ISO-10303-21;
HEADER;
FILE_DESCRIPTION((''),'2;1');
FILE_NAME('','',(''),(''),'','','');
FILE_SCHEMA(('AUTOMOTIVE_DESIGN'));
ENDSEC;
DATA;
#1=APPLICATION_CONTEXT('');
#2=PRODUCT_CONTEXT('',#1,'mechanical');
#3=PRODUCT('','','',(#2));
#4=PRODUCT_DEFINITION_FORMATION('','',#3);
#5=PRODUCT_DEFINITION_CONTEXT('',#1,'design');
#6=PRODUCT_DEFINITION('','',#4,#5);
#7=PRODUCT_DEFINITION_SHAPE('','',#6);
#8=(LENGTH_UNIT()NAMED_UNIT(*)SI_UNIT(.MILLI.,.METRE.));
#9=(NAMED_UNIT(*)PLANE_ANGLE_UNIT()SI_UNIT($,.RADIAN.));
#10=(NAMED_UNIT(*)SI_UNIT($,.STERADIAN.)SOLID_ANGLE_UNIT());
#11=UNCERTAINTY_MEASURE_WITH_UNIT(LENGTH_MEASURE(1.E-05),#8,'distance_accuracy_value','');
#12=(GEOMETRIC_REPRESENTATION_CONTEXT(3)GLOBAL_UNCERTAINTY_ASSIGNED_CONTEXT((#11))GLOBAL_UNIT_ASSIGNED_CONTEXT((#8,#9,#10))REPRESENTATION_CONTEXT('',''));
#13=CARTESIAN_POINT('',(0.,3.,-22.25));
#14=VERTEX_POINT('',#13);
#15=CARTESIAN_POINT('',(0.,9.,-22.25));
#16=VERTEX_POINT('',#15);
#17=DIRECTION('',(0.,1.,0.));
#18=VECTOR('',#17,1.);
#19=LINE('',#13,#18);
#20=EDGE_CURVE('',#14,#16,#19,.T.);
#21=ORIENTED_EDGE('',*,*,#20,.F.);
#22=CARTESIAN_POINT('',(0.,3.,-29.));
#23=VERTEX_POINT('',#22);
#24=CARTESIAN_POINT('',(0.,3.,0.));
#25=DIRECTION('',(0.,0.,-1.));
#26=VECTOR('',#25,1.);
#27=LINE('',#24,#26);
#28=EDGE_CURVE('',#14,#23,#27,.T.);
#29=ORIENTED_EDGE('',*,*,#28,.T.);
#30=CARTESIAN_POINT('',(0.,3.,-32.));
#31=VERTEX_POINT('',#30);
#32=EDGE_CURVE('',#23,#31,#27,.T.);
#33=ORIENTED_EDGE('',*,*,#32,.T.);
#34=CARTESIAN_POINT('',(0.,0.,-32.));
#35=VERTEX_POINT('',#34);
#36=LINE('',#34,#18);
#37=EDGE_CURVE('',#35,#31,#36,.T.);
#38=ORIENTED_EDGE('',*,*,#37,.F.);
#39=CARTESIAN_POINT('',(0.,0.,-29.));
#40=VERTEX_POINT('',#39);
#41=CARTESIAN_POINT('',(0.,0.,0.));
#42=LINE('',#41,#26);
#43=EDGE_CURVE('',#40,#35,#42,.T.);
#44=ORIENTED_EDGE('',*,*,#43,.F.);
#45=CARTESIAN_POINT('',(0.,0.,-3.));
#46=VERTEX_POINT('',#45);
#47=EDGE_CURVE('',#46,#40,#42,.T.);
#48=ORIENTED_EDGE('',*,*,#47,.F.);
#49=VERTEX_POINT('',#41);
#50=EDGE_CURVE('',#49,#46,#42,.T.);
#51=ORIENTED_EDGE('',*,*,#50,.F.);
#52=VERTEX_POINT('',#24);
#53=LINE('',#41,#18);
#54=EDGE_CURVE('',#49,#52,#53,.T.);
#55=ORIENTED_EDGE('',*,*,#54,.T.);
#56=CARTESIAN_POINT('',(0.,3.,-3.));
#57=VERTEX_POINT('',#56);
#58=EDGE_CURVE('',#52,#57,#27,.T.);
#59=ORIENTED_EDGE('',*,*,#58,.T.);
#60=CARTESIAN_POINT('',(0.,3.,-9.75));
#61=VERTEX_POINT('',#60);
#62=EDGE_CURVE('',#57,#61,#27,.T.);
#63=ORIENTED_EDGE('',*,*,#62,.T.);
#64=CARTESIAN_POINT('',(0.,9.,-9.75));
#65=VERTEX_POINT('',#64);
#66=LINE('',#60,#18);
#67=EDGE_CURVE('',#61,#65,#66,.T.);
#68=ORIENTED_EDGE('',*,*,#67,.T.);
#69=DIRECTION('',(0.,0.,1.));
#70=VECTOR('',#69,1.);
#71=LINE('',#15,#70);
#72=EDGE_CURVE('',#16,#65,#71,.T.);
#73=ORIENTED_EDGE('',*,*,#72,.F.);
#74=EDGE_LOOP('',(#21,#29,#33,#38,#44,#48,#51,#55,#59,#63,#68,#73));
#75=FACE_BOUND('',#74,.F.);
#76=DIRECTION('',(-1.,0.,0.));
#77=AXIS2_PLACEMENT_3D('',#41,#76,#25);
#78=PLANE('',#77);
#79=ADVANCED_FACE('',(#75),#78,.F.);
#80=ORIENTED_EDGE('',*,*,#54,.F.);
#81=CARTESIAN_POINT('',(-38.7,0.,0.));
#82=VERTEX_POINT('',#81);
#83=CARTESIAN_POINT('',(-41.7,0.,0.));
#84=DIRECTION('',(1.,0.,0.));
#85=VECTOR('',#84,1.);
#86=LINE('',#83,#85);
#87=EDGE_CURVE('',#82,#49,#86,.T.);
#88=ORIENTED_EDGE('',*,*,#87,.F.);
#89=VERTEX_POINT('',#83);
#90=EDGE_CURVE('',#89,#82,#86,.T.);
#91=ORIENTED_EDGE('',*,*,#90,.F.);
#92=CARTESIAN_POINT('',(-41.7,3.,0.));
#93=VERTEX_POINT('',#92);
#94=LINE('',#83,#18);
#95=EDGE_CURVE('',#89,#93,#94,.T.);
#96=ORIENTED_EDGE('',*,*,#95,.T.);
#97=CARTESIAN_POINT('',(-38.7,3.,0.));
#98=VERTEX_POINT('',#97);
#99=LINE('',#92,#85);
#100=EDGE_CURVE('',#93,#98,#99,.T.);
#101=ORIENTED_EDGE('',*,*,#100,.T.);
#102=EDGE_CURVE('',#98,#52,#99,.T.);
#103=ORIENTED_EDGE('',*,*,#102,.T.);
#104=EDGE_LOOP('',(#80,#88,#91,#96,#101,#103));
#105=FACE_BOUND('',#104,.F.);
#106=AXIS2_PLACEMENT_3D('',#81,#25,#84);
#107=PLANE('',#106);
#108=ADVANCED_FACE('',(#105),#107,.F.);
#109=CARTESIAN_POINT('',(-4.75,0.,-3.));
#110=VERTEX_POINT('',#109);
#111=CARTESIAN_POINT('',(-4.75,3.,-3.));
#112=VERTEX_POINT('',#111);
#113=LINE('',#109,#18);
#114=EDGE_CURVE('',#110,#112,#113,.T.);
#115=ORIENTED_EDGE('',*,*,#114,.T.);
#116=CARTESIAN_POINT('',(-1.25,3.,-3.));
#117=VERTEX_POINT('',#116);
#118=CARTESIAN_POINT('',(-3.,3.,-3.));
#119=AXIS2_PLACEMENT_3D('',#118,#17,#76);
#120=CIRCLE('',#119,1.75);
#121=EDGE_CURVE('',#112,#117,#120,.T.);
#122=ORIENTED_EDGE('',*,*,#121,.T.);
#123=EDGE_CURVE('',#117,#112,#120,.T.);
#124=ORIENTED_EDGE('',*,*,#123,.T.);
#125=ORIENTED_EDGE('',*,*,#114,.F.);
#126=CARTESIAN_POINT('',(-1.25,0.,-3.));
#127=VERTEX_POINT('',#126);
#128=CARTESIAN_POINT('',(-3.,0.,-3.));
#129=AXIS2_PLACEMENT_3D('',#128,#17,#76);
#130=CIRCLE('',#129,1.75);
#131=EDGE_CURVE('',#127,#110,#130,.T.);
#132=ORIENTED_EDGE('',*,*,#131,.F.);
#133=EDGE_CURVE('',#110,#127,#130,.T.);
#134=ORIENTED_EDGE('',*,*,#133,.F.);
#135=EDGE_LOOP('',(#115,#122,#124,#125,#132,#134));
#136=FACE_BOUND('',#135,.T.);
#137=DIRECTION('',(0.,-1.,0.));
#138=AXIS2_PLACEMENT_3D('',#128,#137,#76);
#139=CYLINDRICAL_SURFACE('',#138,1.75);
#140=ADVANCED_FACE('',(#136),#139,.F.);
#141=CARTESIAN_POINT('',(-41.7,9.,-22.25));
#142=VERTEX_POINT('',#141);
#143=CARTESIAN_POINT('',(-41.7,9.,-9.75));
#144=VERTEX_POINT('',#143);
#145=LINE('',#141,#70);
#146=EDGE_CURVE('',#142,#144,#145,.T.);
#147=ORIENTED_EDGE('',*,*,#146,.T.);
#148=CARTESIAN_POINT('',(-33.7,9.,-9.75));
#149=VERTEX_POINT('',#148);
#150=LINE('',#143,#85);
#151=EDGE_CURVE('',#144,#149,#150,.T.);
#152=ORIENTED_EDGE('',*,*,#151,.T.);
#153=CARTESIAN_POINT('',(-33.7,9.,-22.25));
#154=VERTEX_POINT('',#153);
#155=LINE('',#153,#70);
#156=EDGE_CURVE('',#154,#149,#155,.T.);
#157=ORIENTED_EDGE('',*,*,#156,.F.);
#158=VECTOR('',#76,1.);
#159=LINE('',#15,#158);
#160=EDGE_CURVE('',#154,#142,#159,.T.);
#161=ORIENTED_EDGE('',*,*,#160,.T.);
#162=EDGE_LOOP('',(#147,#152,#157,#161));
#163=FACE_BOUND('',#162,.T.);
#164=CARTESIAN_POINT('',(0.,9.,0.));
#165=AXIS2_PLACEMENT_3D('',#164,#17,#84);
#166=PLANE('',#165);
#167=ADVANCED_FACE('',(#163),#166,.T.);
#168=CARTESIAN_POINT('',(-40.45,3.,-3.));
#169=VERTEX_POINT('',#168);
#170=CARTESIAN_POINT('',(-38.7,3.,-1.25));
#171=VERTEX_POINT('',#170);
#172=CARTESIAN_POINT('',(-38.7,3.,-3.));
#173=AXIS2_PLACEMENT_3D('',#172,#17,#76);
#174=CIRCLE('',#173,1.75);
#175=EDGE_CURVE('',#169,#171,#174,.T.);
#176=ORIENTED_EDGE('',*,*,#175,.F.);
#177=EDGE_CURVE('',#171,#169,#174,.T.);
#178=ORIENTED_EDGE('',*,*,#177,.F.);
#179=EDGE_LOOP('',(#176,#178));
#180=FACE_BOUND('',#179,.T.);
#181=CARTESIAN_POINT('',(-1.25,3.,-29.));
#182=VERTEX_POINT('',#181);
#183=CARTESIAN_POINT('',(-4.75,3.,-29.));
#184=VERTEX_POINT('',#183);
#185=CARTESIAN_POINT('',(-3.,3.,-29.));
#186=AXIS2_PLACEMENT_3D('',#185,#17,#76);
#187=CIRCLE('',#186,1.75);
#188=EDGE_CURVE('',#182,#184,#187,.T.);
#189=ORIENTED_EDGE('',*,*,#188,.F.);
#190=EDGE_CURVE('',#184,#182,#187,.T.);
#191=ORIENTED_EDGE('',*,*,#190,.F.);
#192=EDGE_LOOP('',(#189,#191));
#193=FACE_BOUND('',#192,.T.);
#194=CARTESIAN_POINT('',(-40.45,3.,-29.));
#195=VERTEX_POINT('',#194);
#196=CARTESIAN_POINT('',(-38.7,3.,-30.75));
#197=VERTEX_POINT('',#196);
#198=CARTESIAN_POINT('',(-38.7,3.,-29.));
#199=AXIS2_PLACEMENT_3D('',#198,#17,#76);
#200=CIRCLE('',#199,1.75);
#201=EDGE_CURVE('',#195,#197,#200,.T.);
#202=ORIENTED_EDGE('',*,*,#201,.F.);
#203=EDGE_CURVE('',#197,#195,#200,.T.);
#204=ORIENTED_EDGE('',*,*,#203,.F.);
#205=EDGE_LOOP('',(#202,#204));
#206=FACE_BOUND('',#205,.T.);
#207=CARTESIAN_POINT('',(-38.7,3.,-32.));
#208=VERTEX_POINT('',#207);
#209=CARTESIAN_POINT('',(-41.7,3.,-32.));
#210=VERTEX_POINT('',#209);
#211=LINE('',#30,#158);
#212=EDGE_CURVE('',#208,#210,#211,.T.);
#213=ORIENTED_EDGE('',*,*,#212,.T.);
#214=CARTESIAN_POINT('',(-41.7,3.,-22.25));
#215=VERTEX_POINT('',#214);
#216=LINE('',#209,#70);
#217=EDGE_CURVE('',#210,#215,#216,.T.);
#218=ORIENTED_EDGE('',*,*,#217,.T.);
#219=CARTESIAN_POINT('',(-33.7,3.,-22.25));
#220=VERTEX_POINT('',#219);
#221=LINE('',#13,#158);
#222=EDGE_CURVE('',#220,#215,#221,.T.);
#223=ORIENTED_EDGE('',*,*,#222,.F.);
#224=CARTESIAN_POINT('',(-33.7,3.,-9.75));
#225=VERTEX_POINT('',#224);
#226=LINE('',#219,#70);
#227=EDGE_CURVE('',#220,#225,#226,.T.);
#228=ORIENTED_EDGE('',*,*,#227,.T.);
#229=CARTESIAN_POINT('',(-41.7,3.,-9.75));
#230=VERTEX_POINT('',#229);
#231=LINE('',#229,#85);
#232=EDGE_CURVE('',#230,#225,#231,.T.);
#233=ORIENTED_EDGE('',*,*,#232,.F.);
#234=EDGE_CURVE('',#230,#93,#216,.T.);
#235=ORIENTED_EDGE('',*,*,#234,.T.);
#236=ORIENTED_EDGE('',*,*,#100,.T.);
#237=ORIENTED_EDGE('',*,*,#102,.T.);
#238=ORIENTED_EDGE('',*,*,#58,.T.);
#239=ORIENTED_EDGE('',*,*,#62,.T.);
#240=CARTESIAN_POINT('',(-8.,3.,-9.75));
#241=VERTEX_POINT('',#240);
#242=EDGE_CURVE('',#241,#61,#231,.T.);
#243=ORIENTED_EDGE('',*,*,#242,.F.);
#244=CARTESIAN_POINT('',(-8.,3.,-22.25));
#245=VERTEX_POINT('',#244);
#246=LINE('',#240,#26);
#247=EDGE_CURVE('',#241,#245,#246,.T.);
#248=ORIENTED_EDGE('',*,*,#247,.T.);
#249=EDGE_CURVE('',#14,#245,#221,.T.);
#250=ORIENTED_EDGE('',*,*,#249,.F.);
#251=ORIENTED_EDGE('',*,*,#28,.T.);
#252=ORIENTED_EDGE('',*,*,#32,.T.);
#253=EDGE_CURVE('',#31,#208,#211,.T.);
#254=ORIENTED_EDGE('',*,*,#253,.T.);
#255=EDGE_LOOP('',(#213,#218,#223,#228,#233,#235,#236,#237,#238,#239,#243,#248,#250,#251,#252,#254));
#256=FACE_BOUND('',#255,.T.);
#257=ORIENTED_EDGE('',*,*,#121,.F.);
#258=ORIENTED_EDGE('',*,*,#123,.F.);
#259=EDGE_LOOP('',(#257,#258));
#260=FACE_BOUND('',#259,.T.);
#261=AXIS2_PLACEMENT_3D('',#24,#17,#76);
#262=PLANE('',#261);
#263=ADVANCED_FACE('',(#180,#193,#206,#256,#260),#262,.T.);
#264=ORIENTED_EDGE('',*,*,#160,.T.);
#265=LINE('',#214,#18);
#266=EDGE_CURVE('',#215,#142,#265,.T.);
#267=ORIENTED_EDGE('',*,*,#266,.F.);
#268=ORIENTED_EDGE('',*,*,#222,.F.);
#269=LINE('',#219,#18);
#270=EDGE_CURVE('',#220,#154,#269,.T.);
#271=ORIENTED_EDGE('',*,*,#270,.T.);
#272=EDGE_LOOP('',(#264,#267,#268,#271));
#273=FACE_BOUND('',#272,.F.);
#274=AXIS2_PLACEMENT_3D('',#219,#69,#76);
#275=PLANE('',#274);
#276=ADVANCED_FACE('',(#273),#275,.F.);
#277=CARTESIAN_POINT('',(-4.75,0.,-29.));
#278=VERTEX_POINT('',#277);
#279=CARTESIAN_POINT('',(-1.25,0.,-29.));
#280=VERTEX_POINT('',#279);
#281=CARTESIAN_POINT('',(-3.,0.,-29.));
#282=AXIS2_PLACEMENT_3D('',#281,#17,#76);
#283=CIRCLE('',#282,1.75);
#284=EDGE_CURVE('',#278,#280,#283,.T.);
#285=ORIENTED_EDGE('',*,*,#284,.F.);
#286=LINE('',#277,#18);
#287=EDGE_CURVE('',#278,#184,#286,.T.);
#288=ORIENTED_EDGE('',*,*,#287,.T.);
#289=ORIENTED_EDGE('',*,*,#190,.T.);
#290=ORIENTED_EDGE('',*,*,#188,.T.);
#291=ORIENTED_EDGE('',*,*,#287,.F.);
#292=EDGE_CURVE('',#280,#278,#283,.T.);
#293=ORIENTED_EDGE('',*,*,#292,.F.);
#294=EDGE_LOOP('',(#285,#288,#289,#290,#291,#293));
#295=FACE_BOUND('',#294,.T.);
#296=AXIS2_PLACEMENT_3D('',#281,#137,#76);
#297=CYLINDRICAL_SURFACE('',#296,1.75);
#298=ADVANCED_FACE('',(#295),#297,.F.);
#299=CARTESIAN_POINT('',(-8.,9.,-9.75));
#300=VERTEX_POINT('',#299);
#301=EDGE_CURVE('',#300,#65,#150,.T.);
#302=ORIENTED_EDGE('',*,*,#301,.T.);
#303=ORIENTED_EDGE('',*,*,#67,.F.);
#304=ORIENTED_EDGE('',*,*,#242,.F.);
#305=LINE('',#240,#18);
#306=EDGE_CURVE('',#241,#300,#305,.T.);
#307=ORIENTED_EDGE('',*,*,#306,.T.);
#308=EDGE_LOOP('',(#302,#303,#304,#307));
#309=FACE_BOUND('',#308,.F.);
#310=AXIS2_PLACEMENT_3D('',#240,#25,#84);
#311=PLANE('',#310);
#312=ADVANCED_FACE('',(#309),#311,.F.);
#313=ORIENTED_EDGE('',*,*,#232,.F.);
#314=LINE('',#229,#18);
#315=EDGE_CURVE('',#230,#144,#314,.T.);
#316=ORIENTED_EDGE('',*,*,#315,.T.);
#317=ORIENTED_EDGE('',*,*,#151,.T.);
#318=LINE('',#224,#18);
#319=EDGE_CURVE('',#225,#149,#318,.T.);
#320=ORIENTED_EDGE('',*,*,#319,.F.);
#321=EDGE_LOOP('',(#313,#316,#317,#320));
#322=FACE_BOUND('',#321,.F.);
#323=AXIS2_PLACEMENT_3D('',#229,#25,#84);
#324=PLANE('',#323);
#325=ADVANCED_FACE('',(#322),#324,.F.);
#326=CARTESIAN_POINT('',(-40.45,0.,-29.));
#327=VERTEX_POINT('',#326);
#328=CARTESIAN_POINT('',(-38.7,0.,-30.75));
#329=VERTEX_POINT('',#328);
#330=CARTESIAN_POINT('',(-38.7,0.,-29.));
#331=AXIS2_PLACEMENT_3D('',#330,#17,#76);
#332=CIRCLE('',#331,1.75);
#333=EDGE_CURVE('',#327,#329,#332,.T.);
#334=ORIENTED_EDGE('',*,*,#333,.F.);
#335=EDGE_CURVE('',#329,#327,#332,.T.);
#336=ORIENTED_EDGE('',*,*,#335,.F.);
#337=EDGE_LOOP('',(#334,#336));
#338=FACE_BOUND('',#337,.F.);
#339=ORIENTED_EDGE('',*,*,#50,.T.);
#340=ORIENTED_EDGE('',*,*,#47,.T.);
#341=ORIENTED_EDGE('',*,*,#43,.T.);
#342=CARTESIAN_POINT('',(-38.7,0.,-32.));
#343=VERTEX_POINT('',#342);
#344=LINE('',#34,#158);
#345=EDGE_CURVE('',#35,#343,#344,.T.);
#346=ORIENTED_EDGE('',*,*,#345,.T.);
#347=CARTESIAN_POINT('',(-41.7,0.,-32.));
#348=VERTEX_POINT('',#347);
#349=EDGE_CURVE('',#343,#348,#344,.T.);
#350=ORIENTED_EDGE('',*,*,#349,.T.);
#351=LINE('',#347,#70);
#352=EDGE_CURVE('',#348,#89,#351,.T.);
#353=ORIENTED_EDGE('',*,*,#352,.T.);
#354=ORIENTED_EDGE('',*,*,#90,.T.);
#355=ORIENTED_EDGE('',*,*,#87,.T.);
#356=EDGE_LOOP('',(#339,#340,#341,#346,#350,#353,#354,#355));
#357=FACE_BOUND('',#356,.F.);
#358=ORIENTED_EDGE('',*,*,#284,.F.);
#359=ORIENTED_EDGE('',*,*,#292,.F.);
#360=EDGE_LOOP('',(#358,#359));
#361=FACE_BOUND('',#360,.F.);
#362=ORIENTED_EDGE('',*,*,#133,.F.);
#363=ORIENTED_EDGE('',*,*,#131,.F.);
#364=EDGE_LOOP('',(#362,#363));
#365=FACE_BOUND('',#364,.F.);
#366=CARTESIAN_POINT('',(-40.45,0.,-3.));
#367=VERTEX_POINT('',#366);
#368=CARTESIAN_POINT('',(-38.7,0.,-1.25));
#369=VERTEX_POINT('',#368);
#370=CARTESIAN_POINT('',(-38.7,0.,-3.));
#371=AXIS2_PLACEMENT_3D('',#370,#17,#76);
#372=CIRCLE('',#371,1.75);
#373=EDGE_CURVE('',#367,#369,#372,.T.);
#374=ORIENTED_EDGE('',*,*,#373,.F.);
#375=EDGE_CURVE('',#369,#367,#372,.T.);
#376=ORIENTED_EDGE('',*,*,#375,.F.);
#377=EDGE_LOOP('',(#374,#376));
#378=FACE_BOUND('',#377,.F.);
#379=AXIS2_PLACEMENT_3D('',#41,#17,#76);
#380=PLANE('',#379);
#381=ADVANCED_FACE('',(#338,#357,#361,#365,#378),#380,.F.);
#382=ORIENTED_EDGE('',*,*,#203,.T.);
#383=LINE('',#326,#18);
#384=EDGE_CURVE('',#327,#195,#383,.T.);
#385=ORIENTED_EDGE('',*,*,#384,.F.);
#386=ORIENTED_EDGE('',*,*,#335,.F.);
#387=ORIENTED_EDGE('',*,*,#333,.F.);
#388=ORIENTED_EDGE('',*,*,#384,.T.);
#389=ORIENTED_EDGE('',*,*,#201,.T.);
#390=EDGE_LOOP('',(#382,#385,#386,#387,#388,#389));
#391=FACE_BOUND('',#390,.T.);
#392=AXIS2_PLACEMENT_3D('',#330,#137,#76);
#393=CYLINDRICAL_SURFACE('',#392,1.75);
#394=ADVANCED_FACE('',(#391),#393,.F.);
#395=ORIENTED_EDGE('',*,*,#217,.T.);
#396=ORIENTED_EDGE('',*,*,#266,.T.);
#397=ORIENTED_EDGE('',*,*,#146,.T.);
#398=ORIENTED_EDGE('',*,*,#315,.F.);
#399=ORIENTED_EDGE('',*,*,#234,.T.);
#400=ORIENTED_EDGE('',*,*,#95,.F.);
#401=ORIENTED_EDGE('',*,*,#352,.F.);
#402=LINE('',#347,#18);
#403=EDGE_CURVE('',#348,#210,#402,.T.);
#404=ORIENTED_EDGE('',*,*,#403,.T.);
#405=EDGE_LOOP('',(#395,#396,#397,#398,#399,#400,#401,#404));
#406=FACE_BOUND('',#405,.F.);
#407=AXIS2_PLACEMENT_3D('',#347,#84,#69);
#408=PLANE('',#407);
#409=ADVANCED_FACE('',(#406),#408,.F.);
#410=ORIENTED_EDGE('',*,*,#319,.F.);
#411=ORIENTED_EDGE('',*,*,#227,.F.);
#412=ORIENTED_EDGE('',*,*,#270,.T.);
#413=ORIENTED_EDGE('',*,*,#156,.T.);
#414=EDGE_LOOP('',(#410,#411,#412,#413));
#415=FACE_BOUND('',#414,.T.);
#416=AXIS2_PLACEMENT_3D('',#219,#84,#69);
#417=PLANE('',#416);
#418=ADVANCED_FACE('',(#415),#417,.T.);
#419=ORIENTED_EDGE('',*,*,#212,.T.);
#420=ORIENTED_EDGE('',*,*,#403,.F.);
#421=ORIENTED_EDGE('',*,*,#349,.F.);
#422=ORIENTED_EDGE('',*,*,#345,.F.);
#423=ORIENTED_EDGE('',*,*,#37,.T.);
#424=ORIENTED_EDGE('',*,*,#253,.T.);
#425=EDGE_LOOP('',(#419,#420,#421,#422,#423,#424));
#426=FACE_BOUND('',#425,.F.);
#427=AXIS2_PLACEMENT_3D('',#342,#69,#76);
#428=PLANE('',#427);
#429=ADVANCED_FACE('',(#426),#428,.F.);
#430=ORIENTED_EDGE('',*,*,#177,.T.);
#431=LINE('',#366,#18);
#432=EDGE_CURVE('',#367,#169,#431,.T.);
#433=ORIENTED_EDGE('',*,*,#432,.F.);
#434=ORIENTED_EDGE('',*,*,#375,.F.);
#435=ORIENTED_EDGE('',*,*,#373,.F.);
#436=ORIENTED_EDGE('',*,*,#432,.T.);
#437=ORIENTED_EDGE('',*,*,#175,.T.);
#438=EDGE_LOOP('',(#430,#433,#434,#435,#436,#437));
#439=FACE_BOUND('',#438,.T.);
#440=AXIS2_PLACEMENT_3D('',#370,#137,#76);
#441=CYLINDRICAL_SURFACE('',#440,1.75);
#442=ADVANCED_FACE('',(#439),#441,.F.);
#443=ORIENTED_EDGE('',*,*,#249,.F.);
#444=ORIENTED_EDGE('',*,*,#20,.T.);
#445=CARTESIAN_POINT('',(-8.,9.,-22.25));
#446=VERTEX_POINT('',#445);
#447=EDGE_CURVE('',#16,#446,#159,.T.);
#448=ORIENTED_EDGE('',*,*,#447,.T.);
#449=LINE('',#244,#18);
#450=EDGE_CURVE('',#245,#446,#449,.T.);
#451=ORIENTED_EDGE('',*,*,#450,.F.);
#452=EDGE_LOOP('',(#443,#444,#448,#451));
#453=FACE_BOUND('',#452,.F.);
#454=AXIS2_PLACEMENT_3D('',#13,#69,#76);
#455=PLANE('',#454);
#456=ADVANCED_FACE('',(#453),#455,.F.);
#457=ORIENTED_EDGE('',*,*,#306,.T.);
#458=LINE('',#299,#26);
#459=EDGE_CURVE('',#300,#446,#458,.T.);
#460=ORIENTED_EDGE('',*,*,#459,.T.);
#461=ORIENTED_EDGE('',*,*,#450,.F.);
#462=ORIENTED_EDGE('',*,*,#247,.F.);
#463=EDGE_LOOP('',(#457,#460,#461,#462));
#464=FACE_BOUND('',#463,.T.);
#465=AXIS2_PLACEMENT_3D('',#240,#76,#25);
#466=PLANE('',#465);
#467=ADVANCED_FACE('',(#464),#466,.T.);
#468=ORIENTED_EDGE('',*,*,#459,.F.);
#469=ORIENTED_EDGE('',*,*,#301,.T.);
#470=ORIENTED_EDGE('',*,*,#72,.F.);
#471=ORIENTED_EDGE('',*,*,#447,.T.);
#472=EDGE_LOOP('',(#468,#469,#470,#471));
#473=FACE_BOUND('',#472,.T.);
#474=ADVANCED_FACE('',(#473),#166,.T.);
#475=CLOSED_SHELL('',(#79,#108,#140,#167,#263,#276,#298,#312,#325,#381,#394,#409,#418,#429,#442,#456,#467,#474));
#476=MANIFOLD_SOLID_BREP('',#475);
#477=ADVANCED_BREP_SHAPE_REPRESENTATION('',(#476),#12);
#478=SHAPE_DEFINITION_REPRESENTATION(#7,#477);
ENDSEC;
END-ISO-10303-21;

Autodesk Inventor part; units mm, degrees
ref_plane "YZ Plane" through (0, 0, 0) normal (1, 0, 0) x (0, 1, 0)
ref_plane "XZ Plane" through (0, 0, 0) normal (0, 1, 0) x (-1, 0, 0)
ref_plane "XY Plane" through (0, 0, 0) normal (0, 0, 1) x (1, 0, 0)
sketch "Sketch1" plane through (0, 0, 0) normal (0, 1, 0) x (-1, 0, 0)
  line L0 (0, 0) -> (0, -32)
  line L1 (0, -32) -> (41.7, -32)
  line L2 (41.7, -32) -> (41.7, 0)
  line L3 (41.7, 0) -> (0, 0)
  line L4 (41.7, 0) -> (38.7, 0)
  line L5 (38.7, 0) -> (38.7, -3)
  line L6 (0, 0) -> (0, -3)
  line L7 (0, -3) -> (3, -3)
  line L8 (0, -32) -> (0, -29)
  line L9 (0, -29) -> (3, -29)
  line L10 (41.7, -32) -> (38.7, -32)
  line L11 (38.7, -32) -> (38.7, -29)
  circle A0 centre (38.7, -3) radius 1.75
  circle A1 centre (38.7, -29) radius 1.75
  circle A2 centre (3, -3) radius 1.75
  circle A3 centre (3, -29) radius 1.75
  dimension "d0" = 32
  dimension "d1" = 41.7
  dimension "d2" = 32
  dimension "d3" = 3
  dimension "d4" = 3
  dimension "d5" = 3
  dimension "d6" = 3
  dimension "d7" = 3
  dimension "d8" = 3
  dimension "d9" = 3
  dimension "d10" = 3
  dimension "d11" = 3.5
  dimension "d12" = 3.5
  dimension "d13" = 3.5
extrude "Extrusion1" add sketch "Sketch1" along normal blind 3
sketch "Sketch2" plane through (0, 3, 0) normal (0, 1, 0) x (1, 0, 0)
  line L0 (0, 0) -> (0, 32) projected
  line L1 (0, 0) -> (0, 32)
  line L2 (0, 32) -> (0, 16)
  line L3 (0, 16) -> (0, 22.25)
  line L4 (0, 22.25) -> (-41.7, 22.25)
  line L5 (-41.7, 22.25) -> (-41.7, 9.75)
  line L6 (-41.7, 9.75) -> (0, 9.75)
  line L7 (0, 9.75) -> (0, 16)
  line L8 (0, 9.75) -> (-8, 9.75)
  line L9 (-8, 9.75) -> (-8, 22.25)
  line L10 (-8, 22.25) -> (0, 22.25)
  line L11 (-41.7, 22.25) -> (-33.7, 22.25)
  line L12 (-33.7, 22.25) -> (-33.7, 9.75)
  line L13 (-41.7, 9.75) -> (-33.7, 9.75)
  dimension "d16" = 6.25
  dimension "d17" = 41.7
  dimension "d18" = 12.5
  dimension "d19" = 8
  dimension "d20" = 8
extrude "Extrusion2" add sketch "Sketch2" along normal blind 6 contours L6 L9 L4 L0 | L6 L5 L4 L12
properties part number "sensor conditioning board simplified model"
